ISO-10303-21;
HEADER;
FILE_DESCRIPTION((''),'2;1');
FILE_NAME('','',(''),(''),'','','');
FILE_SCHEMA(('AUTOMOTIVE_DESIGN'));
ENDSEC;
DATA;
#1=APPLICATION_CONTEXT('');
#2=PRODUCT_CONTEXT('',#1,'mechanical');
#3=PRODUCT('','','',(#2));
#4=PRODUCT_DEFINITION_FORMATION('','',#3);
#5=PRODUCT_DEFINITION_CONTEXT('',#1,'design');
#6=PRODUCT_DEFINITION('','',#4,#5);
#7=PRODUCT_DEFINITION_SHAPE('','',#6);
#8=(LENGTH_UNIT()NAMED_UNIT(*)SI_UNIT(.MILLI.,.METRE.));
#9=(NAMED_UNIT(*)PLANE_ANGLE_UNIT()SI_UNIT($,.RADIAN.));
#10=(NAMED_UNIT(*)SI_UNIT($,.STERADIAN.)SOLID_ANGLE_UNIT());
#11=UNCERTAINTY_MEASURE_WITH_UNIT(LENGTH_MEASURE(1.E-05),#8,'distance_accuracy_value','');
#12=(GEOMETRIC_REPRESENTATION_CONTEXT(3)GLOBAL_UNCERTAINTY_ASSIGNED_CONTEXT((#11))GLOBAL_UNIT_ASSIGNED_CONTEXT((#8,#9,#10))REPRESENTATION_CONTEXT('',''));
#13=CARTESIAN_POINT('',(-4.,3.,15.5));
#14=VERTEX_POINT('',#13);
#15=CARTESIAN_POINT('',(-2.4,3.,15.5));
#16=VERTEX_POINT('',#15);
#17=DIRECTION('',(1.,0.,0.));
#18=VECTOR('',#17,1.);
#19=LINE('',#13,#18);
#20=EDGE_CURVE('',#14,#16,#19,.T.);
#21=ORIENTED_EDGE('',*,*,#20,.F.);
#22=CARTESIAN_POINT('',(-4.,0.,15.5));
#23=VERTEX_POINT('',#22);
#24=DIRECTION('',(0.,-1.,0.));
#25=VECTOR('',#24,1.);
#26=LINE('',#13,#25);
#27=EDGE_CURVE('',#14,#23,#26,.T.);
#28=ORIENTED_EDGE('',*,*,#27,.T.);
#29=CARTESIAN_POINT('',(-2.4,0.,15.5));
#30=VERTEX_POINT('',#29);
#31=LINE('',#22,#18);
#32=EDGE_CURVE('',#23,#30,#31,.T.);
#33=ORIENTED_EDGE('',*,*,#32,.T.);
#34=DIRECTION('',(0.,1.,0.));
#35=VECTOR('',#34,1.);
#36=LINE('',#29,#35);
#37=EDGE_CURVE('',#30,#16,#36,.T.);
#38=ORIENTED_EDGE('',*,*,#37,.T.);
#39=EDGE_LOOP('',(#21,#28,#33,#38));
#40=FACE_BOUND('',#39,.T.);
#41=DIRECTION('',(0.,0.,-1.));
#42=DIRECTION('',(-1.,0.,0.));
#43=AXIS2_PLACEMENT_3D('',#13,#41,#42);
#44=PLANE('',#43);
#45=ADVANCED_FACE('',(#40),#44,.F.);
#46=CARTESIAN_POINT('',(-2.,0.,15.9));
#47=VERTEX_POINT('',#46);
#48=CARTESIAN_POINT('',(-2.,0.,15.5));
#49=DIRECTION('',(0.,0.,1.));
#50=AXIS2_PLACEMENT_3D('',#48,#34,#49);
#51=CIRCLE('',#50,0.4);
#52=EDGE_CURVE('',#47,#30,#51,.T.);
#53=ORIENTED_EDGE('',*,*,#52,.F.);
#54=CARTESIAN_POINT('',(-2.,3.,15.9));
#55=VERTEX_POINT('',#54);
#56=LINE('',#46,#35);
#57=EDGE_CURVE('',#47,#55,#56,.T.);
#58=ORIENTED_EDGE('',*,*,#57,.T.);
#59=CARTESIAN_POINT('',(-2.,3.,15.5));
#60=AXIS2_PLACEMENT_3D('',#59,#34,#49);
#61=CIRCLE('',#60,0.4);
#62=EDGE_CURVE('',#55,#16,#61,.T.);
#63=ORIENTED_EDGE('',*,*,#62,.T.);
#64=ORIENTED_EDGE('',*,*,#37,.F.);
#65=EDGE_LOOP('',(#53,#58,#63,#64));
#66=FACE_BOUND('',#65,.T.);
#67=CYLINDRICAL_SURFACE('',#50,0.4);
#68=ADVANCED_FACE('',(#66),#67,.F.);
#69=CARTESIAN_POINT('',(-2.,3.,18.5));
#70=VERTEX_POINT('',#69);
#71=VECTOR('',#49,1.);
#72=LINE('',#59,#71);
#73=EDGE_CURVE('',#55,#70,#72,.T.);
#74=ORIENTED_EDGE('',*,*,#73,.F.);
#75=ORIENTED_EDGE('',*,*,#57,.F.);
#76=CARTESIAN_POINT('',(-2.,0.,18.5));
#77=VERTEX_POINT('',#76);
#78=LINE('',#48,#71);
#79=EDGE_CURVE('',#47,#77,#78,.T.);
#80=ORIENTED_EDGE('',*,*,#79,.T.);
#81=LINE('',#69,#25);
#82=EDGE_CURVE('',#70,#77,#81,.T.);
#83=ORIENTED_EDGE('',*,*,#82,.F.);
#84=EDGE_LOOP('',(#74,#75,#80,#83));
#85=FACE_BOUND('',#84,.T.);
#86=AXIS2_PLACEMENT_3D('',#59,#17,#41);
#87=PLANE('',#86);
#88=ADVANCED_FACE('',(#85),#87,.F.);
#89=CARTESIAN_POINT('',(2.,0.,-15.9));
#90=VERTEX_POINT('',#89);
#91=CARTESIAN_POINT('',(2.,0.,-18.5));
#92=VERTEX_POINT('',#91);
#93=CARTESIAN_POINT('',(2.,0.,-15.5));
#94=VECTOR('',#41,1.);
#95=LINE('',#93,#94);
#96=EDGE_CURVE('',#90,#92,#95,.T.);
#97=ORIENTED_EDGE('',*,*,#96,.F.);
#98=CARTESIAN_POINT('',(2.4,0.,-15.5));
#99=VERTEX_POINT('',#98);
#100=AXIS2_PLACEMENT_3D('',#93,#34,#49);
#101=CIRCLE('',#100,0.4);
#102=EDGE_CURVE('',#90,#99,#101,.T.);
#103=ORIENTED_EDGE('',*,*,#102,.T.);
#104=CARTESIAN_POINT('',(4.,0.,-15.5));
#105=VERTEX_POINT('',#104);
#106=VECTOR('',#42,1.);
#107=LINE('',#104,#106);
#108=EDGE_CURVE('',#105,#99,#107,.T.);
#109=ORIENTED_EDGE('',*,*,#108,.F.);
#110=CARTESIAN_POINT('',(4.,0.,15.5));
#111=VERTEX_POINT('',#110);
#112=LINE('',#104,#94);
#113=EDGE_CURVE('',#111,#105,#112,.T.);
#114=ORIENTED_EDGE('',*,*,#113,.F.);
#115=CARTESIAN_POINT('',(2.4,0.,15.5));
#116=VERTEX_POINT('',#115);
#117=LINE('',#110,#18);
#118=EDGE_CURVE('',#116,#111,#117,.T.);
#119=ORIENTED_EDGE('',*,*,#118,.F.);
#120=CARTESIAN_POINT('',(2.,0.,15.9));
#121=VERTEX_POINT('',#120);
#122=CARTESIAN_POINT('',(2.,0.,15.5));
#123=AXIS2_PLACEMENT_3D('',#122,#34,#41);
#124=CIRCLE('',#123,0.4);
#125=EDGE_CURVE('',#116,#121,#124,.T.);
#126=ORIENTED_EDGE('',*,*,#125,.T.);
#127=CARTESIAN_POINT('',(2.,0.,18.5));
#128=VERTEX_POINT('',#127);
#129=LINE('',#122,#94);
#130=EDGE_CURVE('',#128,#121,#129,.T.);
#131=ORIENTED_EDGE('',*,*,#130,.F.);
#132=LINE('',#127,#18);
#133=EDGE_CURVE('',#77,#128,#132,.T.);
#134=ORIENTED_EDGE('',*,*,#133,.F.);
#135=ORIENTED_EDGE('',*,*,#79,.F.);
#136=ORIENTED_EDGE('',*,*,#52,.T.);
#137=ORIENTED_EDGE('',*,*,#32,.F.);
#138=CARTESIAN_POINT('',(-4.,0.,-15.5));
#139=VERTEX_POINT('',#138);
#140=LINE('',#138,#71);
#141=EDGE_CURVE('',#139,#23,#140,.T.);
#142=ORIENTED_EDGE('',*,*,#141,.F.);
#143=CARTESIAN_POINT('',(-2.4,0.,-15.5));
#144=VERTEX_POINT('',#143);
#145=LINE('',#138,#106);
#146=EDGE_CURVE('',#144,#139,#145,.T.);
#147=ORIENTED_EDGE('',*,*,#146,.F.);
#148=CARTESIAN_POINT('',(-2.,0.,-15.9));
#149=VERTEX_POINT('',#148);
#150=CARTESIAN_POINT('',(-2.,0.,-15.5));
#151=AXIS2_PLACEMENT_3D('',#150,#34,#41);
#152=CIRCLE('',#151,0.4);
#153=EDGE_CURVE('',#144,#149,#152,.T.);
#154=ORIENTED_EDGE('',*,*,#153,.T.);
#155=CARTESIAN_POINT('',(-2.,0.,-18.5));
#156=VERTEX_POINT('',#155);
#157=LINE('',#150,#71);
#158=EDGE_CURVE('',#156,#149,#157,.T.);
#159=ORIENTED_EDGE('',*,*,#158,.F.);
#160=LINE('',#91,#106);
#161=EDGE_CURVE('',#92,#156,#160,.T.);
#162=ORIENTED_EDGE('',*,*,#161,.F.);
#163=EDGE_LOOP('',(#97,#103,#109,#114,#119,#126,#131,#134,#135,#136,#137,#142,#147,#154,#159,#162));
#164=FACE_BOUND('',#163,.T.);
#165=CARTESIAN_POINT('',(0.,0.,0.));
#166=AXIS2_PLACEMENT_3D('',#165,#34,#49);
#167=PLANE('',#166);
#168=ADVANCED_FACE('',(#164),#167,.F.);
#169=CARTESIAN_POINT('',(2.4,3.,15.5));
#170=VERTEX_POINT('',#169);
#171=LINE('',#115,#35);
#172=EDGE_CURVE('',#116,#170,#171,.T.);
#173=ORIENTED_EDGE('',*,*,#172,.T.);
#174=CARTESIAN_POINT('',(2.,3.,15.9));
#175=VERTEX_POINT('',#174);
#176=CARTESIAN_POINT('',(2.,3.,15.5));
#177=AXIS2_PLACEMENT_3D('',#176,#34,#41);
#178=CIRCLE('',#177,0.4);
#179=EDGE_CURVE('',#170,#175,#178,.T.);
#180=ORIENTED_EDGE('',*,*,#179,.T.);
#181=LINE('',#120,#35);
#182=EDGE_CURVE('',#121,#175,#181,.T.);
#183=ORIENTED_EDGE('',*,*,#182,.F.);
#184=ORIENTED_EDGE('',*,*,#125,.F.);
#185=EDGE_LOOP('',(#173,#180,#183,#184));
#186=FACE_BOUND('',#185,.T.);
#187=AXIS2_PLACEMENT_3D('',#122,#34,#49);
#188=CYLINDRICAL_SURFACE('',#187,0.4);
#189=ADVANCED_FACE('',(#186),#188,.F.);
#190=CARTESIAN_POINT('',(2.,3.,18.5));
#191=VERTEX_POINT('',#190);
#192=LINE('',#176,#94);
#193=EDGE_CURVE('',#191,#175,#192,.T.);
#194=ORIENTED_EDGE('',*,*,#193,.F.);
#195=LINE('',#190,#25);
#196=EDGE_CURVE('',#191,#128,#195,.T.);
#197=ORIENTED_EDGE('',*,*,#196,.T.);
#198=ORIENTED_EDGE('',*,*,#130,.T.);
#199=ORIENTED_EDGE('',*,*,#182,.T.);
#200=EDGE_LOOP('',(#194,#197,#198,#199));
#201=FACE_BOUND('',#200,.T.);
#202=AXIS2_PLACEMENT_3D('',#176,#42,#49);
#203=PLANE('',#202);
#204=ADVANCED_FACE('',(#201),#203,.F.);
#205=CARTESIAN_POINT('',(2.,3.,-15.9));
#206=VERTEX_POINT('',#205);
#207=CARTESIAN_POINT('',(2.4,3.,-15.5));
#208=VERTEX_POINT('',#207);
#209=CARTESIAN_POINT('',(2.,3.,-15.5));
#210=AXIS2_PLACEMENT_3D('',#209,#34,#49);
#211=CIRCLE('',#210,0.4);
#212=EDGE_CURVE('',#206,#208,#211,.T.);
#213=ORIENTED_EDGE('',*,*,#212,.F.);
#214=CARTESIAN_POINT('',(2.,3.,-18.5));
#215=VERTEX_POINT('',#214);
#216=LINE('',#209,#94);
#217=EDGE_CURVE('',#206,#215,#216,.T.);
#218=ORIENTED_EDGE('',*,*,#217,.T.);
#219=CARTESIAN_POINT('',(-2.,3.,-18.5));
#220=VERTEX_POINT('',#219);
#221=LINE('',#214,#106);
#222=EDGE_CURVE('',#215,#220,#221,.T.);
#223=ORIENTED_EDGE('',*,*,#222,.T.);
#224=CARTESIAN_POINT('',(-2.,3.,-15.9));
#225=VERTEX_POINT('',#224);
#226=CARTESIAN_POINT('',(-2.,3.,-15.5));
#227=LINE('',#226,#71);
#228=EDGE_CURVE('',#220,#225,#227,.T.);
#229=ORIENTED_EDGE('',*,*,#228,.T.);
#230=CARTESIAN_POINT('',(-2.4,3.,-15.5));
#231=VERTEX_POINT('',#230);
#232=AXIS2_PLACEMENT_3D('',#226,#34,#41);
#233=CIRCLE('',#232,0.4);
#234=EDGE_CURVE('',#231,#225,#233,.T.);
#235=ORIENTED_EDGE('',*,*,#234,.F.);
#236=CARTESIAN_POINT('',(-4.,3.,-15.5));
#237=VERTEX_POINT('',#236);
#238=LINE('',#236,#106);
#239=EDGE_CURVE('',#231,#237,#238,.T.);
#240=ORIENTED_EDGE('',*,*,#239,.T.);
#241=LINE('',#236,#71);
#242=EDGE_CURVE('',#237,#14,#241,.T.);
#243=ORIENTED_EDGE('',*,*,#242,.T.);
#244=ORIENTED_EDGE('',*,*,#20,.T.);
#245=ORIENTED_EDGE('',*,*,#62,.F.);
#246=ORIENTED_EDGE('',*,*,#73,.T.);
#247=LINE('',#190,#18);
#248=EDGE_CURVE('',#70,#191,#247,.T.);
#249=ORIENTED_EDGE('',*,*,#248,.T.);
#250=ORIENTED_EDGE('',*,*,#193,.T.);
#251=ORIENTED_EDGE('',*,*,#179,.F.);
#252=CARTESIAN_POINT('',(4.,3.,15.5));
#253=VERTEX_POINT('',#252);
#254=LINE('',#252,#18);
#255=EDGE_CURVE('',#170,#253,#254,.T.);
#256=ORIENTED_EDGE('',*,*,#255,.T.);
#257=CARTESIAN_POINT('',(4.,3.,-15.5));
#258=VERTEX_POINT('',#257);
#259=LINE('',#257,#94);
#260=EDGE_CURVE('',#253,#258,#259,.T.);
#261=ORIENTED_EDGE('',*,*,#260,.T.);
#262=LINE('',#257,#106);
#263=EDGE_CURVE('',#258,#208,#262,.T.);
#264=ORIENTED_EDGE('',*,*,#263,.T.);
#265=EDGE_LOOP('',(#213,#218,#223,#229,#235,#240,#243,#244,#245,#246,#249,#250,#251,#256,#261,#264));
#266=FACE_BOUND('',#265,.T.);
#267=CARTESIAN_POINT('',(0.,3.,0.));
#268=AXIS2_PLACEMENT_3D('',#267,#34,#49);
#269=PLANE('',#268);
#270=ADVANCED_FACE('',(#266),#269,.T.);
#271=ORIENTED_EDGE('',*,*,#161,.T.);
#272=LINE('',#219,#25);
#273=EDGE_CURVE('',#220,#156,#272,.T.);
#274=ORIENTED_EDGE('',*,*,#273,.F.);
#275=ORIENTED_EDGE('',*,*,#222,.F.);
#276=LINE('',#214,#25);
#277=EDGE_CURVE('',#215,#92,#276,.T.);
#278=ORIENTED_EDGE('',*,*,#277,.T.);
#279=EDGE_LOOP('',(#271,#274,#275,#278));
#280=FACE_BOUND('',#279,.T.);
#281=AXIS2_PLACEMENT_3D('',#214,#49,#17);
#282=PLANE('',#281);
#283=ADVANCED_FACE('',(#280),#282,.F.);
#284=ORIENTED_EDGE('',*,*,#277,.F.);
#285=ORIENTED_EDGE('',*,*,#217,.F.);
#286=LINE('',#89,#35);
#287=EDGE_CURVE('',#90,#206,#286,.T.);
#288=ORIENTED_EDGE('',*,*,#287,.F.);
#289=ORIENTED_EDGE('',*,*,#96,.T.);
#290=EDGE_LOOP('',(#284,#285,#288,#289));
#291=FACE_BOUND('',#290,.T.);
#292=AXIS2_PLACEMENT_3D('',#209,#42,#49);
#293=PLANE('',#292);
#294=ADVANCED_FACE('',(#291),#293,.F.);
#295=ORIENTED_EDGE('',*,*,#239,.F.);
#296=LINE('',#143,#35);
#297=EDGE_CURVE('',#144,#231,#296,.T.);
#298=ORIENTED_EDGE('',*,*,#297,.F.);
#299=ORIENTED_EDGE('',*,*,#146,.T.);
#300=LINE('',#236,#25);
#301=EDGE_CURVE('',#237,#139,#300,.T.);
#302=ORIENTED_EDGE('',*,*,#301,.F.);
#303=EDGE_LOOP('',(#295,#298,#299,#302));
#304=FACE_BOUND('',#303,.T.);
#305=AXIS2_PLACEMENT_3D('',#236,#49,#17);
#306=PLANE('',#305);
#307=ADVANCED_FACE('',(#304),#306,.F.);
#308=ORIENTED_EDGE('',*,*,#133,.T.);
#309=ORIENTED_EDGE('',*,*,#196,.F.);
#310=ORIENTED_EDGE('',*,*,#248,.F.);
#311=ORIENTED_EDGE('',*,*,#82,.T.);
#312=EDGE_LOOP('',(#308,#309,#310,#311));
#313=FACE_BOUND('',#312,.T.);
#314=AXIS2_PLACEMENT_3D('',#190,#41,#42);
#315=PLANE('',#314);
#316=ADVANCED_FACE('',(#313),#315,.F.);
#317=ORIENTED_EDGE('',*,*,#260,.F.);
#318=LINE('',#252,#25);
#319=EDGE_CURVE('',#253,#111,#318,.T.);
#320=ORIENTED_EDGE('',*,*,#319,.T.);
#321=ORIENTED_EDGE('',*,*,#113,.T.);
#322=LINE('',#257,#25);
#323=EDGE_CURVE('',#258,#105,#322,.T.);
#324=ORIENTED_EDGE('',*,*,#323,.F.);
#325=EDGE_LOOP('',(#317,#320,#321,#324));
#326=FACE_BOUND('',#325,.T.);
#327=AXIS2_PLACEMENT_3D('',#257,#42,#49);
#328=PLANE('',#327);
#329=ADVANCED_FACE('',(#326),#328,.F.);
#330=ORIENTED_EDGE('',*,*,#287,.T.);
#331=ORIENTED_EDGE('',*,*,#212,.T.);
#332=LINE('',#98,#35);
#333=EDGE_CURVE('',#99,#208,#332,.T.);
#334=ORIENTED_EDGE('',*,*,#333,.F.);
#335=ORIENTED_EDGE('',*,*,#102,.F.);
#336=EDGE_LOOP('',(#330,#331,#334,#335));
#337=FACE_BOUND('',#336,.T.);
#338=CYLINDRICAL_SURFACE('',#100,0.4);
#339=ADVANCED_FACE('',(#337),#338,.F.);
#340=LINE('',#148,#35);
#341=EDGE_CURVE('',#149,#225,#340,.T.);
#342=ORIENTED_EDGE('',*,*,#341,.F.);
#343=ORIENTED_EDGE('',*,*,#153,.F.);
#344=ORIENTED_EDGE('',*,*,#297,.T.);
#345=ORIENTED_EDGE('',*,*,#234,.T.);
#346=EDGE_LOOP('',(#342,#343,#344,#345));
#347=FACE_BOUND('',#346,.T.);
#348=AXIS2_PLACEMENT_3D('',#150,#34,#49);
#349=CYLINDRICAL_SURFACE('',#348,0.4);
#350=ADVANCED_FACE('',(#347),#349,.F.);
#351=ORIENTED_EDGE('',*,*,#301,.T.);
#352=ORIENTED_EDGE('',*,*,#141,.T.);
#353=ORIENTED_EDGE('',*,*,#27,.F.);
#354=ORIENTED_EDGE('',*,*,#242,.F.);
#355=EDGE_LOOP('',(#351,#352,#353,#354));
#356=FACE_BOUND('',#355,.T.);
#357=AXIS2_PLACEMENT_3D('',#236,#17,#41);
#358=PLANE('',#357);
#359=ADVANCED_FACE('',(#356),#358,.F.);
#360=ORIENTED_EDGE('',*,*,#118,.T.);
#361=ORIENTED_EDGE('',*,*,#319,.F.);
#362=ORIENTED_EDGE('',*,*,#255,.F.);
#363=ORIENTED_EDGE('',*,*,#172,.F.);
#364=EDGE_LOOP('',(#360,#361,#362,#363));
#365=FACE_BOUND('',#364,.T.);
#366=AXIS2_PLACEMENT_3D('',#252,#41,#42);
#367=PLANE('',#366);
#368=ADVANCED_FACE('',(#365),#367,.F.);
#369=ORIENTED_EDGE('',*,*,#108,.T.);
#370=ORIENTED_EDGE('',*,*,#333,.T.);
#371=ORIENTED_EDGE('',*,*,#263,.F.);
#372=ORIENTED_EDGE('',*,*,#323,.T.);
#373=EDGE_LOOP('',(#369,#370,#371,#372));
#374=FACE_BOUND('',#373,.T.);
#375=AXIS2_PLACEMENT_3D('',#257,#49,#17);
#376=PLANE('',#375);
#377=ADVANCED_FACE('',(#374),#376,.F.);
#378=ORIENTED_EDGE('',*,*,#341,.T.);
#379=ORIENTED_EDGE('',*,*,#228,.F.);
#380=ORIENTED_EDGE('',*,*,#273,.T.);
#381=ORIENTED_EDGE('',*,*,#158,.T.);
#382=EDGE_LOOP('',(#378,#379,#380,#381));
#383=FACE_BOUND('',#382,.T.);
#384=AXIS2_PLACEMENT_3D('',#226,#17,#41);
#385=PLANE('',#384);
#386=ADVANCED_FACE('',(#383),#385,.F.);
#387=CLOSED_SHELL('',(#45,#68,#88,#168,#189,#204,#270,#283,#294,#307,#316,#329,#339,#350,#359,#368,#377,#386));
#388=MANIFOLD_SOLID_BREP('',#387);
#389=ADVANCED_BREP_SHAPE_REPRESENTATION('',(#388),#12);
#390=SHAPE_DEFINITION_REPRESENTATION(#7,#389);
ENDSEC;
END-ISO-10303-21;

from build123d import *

# Parameters (mm, degrees)
BOSS_EXTRUDE2_DEPTH = 3
CUT_EXTRUDE5_DEPTH  = 3


with BuildPart() as part:
    # Sketch1 → Boss-Extrude2 (new body)
    with BuildSketch(Plane(origin=(0, 0, 0), x_dir=(1, 0, 0), z_dir=(0, 1, 0))):
        Polygon((4, 15.5), (4, -15.5), (2, -15.5), (2, -18.5), (-2, -18.5), (-2, -15.5), (-4, -15.5), (-4, 15.5), (-2, 15.5), (-2, 18.5), (2, 18.5), (2, 15.5), align=None)
    extrude(amount=BOSS_EXTRUDE2_DEPTH)

    # Sketch4 → Cut-Extrude5 (cut)
    with BuildSketch(Plane(origin=(0, 3, 0), x_dir=(1, 0, 0), z_dir=(0, 1, 0))):
        with BuildLine():
            Line((2, 15.9), (2, 15.5))
            Line((2, 15.5), (2.4, 15.5))
            ThreePointArc((2.4, 15.5), (1.717157288, 15.217157288), (2, 15.9))
        make_face()
        with BuildLine():
            Line((-2, 15.5), (-2.4, 15.5))
            ThreePointArc((-2.4, 15.5), (-1.717157288, 15.217157288), (-2, 15.9))
            Line((-2, 15.9), (-2, 15.5))
        make_face()
        with BuildLine():
            Line((-2, -15.9), (-2, -15.5))
            Line((-2, -15.5), (-2.4, -15.5))
            ThreePointArc((-2.4, -15.5), (-1.717157288, -15.217157288), (-2, -15.9))
        make_face()
        with BuildLine():
            Line((2, -15.5), (2.4, -15.5))
            ThreePointArc((2.4, -15.5), (1.717157288, -15.217157288), (2, -15.9))
            Line((2, -15.9), (2, -15.5))
        make_face()
    extrude(amount=-CUT_EXTRUDE5_DEPTH, mode=Mode.SUBTRACT)


solid = part.part
